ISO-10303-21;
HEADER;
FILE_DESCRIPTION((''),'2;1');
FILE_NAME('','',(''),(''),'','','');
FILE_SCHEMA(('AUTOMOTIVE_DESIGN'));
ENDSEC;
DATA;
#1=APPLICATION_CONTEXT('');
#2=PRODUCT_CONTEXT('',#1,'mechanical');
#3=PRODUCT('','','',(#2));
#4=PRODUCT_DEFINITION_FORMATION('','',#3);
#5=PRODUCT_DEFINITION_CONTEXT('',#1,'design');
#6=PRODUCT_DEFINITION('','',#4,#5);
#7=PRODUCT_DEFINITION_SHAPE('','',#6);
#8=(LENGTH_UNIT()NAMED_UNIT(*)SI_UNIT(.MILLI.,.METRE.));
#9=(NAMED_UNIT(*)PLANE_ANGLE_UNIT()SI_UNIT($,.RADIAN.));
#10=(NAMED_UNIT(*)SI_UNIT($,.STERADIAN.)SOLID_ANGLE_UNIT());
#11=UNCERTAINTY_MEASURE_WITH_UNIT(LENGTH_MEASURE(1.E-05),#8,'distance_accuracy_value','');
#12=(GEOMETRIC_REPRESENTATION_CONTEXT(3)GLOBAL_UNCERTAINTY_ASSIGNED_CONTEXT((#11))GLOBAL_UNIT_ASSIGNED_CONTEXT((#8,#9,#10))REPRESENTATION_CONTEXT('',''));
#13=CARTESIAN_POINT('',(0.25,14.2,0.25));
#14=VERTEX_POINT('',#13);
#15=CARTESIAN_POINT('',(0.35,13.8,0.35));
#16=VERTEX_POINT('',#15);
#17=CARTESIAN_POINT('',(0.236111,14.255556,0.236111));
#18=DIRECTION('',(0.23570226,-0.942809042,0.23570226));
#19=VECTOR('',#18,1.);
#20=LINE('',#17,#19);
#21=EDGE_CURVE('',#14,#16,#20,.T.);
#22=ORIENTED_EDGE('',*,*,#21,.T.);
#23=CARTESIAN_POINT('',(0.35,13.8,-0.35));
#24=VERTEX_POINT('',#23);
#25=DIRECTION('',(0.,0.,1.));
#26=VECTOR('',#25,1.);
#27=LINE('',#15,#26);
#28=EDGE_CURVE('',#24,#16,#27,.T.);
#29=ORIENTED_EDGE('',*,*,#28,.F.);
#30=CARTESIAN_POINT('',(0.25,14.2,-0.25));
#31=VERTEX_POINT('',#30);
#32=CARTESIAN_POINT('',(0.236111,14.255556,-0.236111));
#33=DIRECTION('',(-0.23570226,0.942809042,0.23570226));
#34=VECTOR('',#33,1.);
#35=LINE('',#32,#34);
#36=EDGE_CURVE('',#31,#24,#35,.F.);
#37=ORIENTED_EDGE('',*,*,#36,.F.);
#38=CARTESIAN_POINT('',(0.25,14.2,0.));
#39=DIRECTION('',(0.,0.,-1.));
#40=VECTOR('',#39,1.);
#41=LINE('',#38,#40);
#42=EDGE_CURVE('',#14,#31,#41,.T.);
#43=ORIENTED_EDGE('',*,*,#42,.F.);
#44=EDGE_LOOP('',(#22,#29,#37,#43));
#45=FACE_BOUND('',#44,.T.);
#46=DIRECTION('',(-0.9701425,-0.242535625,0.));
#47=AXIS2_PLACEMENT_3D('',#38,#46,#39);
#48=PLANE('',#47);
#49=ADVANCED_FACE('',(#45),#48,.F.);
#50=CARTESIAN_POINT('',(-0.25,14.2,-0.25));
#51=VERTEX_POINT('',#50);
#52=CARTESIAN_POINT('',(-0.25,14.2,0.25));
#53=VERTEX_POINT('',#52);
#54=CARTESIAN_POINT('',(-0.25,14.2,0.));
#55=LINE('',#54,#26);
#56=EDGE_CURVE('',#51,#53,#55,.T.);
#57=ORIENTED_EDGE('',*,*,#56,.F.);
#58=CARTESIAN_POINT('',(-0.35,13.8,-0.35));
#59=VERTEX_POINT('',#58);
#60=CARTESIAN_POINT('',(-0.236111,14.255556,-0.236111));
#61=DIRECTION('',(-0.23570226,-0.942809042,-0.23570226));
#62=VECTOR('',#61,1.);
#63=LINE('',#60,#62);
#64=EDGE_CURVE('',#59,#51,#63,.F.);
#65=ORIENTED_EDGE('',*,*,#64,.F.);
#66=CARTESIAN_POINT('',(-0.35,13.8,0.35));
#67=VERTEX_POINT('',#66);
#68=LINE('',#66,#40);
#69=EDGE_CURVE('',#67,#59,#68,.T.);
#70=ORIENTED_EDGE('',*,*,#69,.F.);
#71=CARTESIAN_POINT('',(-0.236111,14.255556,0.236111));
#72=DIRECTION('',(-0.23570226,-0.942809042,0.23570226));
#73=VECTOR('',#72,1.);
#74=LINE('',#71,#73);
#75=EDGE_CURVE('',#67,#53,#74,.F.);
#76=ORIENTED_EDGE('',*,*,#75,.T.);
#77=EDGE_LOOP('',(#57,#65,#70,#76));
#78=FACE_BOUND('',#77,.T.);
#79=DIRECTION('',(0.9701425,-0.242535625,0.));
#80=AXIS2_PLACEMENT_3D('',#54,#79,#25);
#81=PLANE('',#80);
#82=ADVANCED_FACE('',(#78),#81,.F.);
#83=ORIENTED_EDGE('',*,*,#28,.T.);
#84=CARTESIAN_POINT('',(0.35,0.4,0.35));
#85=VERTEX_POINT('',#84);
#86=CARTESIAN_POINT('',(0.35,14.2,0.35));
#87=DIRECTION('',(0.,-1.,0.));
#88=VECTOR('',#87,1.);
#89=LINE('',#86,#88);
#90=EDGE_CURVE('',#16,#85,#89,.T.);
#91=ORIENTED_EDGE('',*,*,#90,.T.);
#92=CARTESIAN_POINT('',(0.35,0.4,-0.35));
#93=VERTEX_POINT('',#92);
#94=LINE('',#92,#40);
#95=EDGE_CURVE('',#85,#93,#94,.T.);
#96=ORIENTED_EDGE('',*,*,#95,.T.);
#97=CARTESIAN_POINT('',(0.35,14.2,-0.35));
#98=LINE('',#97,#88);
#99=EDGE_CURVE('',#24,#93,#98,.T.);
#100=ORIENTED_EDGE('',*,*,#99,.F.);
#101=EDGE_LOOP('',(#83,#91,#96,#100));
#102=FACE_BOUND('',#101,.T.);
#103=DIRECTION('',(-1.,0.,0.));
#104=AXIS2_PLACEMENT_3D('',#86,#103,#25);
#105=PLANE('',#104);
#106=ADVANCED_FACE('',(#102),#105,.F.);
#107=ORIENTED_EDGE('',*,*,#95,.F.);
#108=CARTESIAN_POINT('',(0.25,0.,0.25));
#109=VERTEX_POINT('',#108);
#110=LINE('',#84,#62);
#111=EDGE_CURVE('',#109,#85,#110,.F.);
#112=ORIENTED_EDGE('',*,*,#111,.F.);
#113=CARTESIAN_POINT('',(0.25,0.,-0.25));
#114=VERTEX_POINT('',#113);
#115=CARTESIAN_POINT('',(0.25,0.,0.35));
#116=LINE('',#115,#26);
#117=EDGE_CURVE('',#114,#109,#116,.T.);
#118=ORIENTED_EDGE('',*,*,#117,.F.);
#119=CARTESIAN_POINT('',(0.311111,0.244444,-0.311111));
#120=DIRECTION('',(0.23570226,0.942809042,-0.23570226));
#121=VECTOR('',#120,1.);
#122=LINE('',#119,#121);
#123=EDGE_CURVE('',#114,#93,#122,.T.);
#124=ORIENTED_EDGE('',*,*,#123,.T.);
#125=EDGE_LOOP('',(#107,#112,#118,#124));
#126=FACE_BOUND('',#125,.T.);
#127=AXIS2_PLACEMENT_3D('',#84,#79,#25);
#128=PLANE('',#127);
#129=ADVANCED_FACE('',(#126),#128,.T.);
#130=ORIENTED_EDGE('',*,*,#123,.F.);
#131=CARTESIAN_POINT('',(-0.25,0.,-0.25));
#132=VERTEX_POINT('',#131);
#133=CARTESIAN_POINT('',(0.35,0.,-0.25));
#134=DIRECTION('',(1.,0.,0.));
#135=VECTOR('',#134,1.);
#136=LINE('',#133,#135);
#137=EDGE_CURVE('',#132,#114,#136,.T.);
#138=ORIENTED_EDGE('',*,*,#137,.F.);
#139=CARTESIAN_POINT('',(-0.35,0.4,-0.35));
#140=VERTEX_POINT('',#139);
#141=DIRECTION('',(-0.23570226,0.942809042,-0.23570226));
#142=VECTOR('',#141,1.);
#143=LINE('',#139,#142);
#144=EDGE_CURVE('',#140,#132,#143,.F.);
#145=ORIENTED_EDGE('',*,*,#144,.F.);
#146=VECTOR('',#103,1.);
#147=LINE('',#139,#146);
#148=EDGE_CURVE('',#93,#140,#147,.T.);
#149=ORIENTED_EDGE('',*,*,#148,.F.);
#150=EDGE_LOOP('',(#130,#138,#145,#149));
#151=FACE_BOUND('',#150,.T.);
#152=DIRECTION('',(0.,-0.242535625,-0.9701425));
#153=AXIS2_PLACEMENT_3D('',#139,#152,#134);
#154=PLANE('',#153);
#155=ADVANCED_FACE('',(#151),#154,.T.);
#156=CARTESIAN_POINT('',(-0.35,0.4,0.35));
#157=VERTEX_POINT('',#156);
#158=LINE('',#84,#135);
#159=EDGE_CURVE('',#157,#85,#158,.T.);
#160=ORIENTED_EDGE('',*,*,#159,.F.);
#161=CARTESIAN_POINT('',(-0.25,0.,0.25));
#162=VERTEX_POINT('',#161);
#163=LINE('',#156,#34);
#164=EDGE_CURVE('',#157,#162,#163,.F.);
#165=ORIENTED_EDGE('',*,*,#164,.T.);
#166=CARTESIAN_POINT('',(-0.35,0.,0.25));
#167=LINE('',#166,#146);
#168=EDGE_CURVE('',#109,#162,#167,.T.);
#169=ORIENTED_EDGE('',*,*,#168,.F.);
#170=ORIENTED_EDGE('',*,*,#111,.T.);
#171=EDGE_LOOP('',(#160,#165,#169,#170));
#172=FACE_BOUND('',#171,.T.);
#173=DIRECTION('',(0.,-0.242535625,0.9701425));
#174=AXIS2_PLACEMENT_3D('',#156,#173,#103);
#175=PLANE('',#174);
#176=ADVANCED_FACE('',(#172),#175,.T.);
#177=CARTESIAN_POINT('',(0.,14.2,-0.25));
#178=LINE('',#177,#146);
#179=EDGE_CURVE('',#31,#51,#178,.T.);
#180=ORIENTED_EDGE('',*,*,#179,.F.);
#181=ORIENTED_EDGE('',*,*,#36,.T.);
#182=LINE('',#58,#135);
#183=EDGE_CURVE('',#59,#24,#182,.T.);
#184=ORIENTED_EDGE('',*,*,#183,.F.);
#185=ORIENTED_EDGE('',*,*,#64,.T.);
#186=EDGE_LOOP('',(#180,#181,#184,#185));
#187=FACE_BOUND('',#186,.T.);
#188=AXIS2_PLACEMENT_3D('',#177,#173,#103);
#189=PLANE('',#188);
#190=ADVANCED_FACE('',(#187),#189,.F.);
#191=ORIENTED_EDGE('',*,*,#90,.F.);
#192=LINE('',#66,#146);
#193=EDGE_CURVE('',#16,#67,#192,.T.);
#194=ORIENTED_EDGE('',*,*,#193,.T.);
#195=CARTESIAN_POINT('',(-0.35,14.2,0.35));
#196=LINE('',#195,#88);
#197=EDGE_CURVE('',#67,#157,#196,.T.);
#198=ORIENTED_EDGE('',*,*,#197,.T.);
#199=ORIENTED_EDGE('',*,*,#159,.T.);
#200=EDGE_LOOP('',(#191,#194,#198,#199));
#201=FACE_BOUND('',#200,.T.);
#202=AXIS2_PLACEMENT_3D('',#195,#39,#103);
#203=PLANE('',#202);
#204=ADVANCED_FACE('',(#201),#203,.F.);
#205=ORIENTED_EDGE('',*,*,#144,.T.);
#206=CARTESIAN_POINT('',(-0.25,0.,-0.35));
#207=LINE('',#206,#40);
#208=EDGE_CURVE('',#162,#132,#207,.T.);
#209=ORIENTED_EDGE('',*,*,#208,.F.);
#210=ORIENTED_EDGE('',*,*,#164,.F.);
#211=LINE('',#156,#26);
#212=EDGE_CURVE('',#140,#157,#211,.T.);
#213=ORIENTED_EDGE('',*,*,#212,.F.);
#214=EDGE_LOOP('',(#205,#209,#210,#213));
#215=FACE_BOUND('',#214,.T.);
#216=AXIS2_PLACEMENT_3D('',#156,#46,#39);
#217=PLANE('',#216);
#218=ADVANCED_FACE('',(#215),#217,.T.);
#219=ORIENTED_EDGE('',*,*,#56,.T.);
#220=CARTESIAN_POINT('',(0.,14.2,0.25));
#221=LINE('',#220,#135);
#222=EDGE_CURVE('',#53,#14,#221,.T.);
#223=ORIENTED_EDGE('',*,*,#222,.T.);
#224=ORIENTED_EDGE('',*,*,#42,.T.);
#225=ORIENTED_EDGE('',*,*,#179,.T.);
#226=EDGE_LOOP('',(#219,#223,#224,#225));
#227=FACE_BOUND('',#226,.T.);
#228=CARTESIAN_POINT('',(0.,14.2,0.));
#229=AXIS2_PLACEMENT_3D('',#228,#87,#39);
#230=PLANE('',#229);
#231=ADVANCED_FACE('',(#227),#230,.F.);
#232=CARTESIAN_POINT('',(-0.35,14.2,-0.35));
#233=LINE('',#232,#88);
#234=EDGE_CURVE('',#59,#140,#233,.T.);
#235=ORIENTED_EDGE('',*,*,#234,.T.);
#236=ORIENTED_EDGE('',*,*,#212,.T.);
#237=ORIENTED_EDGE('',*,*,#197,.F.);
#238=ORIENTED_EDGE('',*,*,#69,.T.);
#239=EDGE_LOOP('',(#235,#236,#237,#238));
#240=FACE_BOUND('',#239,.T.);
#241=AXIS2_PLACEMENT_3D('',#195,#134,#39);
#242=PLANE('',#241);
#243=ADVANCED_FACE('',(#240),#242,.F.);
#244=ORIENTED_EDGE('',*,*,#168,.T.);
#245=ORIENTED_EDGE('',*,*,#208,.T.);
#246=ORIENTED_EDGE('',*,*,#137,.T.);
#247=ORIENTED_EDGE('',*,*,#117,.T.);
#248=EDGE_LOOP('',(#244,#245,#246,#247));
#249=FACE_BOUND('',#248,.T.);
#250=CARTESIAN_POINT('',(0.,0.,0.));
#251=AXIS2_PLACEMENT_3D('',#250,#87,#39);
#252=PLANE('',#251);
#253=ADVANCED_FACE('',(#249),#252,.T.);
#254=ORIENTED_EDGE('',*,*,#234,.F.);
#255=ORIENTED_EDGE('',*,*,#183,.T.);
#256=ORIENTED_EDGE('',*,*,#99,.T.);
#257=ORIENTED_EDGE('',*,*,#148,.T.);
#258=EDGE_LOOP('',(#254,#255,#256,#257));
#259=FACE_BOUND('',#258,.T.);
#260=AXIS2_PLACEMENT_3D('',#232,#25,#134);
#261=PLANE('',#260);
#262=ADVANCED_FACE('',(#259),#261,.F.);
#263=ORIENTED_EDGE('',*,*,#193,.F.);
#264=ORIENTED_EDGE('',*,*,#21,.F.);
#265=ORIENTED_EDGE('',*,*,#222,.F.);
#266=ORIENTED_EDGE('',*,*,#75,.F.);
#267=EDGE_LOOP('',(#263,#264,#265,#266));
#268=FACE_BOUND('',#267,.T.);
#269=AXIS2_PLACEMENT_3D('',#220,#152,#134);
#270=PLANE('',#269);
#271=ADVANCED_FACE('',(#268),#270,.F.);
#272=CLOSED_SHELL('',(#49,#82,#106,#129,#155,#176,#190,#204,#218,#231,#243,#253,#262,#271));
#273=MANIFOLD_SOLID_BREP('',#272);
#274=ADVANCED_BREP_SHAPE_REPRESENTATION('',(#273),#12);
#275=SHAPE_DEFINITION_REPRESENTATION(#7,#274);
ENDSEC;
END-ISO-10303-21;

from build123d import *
from OCP.BRepFilletAPI import BRepFilletAPI_MakeChamfer

# Parameters (mm, degrees)
SKETCH_1_W      = 0.7
SKETCH_1_H      = 0.7
EXTRUDE_1_DEPTH = 14.2
CHAMFER_1_SIZE  = 0.4
CHAMFER_1_SIZE2 = 0.1
CHAMFER_2_SIZE  = 0.1
CHAMFER_2_SIZE2 = 0.4


with BuildPart() as part:
    # Эскиз1 → Бобышка-Вытянуть1 (new body)
    with BuildSketch(Plane(origin=(0, 0, 0), x_dir=(1, 0, 0), z_dir=(0, 1, 0))):
        Rectangle(SKETCH_1_W, SKETCH_1_H)
    extrude(amount=EXTRUDE_1_DEPTH)

    # Фаска1: one chamfer whose edges measure the first distance from different faces: ONE call of the kernel's chamfer builder (chamfer() names one face for all edges)
    chamfer_1_edges_1 = [part.edges().sort_by_distance(p)[0] for p in [
        (0.35, 14.2, 0),
    ]]
    chamfer_1_side_1 = [part.faces().sort_by_distance(p)[0] for p in [
        (0.35, 7.1, 0),
    ]]
    chamfer_1_edges_2 = [part.edges().sort_by_distance(p)[0] for p in [
        (0, 14.2, -0.35),
    ]]
    chamfer_1_side_2 = [part.faces().sort_by_distance(p)[0] for p in [
        (0, 7.1, -0.35),
    ]]
    chamfer_1_edges_3 = [part.edges().sort_by_distance(p)[0] for p in [
        (-0.35, 14.2, 0),
    ]]
    chamfer_1_side_3 = [part.faces().sort_by_distance(p)[0] for p in [
        (-0.35, 7.1, 0),
    ]]
    chamfer_1_edges_4 = [part.edges().sort_by_distance(p)[0] for p in [
        (0, 14.2, 0.35),
    ]]
    chamfer_1_side_4 = [part.faces().sort_by_distance(p)[0] for p in [
        (0, 7.1, 0.35),
    ]]
    chamfer_1 = BRepFilletAPI_MakeChamfer(part.part.solid().wrapped)
    for e in chamfer_1_edges_1:
        chamfer_1.Add(CHAMFER_1_SIZE, CHAMFER_1_SIZE2, e.wrapped, chamfer_1_side_1[0].wrapped)  # the first distance lies on this face
    for e in chamfer_1_edges_2:
        chamfer_1.Add(CHAMFER_1_SIZE, CHAMFER_1_SIZE2, e.wrapped, chamfer_1_side_2[0].wrapped)  # the first distance lies on this face
    for e in chamfer_1_edges_3:
        chamfer_1.Add(CHAMFER_1_SIZE, CHAMFER_1_SIZE2, e.wrapped, chamfer_1_side_3[0].wrapped)  # the first distance lies on this face
    for e in chamfer_1_edges_4:
        chamfer_1.Add(CHAMFER_1_SIZE, CHAMFER_1_SIZE2, e.wrapped, chamfer_1_side_4[0].wrapped)  # the first distance lies on this face
    add(Compound.cast(chamfer_1.Shape()), mode=Mode.REPLACE)

    # Фаска2
    chamfer_2_edges = [part.edges().sort_by_distance(p)[0] for p in [
        (0, 0, -0.35),
        (0.35, 0, 0),
        (0, 0, 0.35),
        (-0.35, 0, 0),
    ]]
    chamfer_2_side = [part.faces().sort_by_distance(p)[0] for p in [
        (0, 0, 0),
    ]]
    chamfer(chamfer_2_edges, length=CHAMFER_2_SIZE, length2=CHAMFER_2_SIZE2, reference=chamfer_2_side[0])


solid = part.part
